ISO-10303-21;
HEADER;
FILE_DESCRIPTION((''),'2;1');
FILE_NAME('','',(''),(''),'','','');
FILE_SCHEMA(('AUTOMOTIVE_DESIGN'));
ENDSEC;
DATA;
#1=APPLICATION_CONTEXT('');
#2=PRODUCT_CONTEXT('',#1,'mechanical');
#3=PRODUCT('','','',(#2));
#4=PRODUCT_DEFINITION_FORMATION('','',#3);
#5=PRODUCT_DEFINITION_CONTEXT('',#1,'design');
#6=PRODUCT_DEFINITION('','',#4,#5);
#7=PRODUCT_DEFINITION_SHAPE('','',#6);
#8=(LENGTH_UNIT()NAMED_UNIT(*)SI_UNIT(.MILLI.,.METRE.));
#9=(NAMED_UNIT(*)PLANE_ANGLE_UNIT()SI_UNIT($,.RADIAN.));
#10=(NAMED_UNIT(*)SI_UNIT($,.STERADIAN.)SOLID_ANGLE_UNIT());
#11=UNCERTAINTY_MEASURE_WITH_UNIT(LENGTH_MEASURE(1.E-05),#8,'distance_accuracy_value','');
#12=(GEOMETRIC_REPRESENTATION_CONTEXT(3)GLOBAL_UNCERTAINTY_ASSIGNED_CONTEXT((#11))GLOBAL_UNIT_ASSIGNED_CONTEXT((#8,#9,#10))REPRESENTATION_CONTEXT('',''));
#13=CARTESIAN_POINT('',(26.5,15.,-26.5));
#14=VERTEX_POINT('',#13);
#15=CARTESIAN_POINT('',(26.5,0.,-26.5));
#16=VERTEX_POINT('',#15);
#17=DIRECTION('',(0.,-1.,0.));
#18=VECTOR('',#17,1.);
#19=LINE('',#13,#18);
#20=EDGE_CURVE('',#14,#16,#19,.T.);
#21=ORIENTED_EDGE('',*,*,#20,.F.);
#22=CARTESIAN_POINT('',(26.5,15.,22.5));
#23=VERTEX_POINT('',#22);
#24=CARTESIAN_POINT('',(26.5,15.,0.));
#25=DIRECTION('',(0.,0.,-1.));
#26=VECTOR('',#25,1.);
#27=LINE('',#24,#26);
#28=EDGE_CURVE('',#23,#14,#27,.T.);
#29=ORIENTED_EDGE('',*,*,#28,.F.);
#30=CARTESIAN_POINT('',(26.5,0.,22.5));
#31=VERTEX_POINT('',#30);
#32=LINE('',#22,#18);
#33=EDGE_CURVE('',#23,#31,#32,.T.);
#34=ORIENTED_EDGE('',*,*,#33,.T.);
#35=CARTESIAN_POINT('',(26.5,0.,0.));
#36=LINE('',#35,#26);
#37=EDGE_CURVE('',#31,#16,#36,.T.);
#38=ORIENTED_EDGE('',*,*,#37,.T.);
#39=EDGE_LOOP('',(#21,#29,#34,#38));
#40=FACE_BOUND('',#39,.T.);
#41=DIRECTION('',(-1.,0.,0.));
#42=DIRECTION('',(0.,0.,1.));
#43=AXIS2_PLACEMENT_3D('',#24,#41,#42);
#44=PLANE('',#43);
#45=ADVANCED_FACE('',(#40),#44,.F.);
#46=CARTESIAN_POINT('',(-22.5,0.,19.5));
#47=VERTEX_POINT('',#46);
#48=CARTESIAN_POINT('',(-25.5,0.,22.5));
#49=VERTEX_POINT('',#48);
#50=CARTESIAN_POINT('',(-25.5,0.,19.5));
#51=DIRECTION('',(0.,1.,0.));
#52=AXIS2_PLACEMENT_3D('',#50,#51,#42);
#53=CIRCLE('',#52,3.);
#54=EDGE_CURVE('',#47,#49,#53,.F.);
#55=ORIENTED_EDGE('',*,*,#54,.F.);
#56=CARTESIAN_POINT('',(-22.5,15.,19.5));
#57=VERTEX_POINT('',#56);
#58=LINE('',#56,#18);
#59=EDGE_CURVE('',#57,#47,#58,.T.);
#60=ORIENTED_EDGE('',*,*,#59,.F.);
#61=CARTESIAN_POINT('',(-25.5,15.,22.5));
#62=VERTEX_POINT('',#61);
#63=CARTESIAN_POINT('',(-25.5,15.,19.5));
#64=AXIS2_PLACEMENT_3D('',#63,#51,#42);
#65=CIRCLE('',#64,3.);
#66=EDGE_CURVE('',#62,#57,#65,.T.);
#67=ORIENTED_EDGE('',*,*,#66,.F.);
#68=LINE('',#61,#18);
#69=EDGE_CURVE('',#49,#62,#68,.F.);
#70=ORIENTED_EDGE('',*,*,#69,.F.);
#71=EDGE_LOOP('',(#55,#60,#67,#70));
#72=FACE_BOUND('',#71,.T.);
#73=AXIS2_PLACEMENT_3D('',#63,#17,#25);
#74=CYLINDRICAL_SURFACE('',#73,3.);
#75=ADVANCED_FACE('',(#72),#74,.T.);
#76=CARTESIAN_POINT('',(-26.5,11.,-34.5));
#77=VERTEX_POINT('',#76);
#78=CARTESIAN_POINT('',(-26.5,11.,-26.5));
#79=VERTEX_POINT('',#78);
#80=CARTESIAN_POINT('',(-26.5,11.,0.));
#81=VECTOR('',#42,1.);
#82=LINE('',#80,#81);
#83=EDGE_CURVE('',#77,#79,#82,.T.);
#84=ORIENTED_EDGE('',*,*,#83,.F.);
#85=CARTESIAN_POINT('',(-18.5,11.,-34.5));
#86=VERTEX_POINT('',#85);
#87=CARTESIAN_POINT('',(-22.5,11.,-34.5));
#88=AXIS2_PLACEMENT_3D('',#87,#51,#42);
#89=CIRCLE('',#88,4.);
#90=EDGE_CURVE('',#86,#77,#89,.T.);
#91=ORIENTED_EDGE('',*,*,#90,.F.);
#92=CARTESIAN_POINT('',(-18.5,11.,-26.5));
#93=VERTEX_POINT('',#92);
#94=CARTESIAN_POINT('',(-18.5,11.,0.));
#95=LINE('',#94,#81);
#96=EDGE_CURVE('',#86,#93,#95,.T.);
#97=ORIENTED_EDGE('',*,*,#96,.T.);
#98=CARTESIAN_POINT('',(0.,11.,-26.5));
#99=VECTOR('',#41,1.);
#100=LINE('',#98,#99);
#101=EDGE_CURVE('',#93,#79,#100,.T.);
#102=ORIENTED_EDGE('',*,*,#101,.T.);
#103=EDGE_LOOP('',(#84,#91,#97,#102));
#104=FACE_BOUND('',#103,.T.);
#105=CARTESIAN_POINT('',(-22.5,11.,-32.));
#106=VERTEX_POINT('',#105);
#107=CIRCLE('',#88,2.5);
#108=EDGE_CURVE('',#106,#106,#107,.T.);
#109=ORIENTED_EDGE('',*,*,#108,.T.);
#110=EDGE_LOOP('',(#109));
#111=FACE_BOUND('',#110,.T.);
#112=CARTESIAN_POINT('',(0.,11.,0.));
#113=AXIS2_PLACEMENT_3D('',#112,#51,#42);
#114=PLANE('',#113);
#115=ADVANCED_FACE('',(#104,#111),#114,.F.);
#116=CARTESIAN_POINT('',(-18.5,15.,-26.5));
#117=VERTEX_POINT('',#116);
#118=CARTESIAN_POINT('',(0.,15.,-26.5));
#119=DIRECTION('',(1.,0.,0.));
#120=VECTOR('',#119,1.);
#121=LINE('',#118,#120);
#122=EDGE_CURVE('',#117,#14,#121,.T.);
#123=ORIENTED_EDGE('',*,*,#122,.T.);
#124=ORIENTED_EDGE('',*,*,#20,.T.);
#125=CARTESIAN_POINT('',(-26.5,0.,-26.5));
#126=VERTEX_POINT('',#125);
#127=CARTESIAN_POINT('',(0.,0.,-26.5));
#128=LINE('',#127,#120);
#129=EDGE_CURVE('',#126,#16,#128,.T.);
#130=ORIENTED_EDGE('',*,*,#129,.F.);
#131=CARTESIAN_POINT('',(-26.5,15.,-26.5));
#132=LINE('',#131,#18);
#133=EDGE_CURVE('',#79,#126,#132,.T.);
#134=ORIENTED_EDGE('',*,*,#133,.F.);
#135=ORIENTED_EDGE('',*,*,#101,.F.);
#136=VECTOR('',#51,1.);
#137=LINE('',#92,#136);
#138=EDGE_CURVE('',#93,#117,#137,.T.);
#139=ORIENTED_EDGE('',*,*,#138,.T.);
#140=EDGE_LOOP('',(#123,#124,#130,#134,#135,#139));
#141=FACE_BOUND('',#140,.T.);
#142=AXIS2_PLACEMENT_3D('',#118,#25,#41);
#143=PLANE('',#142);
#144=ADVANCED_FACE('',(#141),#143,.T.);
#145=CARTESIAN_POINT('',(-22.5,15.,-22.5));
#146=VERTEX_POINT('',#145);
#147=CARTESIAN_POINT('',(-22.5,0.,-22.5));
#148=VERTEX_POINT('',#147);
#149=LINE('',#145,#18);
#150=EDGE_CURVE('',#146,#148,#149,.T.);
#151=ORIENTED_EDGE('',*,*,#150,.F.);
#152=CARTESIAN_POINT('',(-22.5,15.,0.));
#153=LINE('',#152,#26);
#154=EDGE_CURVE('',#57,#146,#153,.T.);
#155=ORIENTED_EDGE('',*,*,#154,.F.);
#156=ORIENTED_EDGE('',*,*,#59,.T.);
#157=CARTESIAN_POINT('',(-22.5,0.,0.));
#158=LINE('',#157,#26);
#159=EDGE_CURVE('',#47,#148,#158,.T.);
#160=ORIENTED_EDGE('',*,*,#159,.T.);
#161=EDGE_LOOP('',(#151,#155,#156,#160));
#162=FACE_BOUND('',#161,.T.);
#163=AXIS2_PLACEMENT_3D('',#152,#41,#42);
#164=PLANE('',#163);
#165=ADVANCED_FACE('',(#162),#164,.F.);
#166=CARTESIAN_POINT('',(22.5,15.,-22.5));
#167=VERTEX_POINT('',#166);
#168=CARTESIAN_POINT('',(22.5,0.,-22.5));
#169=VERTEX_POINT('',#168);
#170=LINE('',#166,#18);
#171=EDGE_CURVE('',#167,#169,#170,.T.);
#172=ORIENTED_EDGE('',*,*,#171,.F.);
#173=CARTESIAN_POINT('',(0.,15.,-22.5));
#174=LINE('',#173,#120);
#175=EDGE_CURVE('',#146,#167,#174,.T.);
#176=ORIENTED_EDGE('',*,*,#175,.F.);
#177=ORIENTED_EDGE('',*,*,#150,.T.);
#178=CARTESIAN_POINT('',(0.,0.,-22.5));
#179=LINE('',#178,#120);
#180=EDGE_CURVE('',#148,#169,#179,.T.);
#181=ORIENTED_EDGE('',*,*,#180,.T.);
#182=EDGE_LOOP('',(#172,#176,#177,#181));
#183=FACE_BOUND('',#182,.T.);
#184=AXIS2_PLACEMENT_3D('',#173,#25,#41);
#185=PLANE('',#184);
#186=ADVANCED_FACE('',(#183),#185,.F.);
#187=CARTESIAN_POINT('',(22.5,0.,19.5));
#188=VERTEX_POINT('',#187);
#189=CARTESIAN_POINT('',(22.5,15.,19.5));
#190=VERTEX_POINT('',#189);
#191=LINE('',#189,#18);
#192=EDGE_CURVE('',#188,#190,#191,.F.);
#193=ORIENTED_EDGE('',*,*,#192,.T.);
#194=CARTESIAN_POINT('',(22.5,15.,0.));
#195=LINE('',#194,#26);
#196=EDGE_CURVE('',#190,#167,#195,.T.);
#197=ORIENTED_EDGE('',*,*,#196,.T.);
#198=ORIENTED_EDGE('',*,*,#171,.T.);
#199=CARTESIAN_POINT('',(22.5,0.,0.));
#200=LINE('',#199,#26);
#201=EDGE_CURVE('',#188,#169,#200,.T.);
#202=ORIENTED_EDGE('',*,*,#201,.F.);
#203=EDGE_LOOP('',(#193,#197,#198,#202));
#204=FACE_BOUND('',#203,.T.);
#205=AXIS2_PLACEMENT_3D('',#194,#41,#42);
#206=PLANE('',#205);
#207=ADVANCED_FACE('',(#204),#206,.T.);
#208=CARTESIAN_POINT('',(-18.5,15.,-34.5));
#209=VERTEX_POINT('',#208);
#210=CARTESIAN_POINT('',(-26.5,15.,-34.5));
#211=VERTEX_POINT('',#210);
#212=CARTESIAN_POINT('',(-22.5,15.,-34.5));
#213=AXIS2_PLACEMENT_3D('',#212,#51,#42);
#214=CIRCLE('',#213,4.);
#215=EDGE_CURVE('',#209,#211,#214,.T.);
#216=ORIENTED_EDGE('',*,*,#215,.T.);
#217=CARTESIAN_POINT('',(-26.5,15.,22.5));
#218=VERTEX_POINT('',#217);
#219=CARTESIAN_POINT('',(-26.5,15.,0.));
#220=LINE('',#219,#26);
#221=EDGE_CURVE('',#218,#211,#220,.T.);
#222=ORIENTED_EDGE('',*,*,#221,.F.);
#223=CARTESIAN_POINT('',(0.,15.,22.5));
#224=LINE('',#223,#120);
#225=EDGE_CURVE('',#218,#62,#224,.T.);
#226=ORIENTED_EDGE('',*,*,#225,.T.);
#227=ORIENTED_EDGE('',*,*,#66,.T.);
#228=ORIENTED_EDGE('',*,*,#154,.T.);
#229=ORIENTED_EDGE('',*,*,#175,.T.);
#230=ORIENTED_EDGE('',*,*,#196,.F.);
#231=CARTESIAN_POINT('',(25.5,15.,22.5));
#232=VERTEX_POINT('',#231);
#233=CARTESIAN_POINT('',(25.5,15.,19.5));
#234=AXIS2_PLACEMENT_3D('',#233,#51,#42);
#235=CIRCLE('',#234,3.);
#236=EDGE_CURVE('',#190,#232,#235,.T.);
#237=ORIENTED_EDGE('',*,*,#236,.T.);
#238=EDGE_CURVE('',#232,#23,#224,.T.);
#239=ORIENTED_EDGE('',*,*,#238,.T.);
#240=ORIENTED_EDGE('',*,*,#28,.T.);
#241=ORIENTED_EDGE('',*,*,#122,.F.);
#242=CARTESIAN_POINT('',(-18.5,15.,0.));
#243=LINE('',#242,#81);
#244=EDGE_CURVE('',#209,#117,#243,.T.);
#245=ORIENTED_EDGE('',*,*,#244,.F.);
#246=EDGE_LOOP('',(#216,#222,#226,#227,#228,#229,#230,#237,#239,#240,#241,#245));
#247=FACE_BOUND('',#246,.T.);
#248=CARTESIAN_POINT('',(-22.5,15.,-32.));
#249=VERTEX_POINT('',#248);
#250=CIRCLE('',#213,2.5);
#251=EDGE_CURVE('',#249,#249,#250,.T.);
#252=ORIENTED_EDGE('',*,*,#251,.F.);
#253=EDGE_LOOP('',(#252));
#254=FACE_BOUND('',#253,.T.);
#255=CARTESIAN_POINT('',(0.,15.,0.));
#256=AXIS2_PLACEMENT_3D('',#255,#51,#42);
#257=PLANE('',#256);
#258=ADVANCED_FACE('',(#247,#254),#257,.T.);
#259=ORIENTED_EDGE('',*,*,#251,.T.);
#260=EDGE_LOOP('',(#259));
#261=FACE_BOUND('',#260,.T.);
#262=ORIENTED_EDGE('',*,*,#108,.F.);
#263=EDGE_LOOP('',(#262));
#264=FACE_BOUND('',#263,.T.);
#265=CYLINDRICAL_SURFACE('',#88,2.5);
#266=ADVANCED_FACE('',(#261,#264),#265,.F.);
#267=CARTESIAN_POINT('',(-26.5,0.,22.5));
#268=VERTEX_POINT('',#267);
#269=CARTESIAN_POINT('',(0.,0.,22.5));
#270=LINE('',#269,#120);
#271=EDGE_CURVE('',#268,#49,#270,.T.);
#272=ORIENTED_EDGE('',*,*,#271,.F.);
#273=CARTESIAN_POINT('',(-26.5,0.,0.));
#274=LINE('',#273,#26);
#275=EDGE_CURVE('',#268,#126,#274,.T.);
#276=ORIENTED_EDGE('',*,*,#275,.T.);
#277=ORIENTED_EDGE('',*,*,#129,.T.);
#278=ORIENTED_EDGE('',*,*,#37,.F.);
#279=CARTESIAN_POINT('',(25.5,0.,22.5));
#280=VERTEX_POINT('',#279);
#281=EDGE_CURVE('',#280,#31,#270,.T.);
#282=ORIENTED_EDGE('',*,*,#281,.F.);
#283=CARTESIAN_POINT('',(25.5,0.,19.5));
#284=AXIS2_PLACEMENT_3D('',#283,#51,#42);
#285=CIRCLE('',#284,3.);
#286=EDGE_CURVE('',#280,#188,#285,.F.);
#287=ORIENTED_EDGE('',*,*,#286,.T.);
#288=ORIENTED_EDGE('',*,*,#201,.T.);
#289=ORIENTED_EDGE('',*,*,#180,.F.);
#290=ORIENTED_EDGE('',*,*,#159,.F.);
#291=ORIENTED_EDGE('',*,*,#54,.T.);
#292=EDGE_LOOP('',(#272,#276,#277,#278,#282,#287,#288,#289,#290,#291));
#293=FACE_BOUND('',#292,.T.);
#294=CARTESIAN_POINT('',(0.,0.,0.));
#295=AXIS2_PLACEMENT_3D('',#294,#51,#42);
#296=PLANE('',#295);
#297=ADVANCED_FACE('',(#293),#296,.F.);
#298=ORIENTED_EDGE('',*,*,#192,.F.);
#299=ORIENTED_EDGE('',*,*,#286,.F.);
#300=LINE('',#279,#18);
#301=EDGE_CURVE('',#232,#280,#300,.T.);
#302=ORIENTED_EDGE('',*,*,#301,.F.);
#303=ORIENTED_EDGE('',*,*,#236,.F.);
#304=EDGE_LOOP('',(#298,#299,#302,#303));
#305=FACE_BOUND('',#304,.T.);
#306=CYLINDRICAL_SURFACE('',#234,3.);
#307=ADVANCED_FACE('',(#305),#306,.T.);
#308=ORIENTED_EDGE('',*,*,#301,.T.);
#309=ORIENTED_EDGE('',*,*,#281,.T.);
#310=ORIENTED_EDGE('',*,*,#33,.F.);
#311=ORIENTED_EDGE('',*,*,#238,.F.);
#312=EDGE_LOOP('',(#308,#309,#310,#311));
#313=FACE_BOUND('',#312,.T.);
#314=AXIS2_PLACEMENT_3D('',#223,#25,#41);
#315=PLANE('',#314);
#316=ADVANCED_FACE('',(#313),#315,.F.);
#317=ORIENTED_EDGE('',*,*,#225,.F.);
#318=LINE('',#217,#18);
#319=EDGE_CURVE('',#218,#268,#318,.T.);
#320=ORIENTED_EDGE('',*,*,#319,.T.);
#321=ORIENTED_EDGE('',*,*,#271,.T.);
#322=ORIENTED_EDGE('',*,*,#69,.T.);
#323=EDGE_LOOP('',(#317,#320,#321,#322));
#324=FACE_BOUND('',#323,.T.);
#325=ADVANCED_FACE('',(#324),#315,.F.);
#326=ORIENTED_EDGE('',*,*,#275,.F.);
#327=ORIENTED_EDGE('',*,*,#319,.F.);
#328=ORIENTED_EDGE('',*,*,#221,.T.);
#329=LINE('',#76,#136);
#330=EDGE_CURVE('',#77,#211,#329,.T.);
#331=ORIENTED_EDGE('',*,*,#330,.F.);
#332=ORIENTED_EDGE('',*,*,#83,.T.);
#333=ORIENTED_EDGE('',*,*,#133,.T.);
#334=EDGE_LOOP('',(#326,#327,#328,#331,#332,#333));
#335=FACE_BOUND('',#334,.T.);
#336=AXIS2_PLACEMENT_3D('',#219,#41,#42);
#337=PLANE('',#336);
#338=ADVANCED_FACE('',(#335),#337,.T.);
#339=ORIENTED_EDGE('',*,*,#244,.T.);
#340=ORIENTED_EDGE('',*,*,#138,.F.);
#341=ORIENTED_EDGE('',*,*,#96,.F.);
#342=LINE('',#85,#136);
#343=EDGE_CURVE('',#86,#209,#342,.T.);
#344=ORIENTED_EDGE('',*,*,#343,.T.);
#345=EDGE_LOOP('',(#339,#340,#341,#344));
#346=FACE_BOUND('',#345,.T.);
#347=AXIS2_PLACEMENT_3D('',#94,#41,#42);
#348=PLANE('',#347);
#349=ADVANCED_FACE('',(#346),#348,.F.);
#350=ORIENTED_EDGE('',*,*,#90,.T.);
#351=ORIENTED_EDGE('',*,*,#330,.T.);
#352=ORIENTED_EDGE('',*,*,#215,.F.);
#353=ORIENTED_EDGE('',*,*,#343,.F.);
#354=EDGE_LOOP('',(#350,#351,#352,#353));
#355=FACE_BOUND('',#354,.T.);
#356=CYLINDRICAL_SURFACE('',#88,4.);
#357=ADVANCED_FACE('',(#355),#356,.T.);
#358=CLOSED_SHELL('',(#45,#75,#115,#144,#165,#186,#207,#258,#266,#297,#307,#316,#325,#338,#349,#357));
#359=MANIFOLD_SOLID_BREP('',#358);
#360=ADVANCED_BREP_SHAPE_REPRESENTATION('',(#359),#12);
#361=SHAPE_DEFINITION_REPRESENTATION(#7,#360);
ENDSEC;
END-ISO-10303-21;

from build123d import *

# Parameters (mm, degrees)
BOSS_EXTRUDE1_DEPTH = 15
FILLET1_R           = 3
SKETCH2_R           = 2.5
BOSS_EXTRUDE2_DEPTH = 4


with BuildPart() as part:
    # Sketch1 → Boss-Extrude1 (new body)
    with BuildSketch(Plane(origin=(0, 0, 0), x_dir=(1, 0, 0), z_dir=(0, 1, 0))):
        Polygon((-26.5, 26.5), (-26.5, -22.5), (-22.5, -22.5), (-22.5, 22.5), (22.5, 22.5), (22.5, -22.5), (26.5, -22.5), (26.5, 26.5), align=None)
    extrude(amount=BOSS_EXTRUDE1_DEPTH)

    # Fillet1
    fillet1_edges = [part.edges().sort_by_distance(p)[0] for p in [
        (22.5, 7.5, 22.5),
        (-22.5, 7.5, 22.5),
    ]]
    fillet(fillet1_edges, radius=FILLET1_R)

    # Sketch2 → Boss-Extrude2 (add)
    with BuildSketch(Plane(origin=(0, 15, 0), x_dir=(1, 0, 0), z_dir=(0, 1, 0))):
        with BuildLine():
            ThreePointArc((-18.5, 34.5), (-22.5, 38.5), (-26.5, 34.5))
            Line((-26.5, 34.5), (-26.5, 26.5))
            Line((-26.5, 26.5), (-18.5, 26.5))
            Line((-18.5, 26.5), (-18.5, 34.5))
        make_face()
        with Locations((-22.5, 34.5)):
            Circle(SKETCH2_R, mode=Mode.SUBTRACT)
    extrude(amount=-BOSS_EXTRUDE2_DEPTH)


solid = part.part
